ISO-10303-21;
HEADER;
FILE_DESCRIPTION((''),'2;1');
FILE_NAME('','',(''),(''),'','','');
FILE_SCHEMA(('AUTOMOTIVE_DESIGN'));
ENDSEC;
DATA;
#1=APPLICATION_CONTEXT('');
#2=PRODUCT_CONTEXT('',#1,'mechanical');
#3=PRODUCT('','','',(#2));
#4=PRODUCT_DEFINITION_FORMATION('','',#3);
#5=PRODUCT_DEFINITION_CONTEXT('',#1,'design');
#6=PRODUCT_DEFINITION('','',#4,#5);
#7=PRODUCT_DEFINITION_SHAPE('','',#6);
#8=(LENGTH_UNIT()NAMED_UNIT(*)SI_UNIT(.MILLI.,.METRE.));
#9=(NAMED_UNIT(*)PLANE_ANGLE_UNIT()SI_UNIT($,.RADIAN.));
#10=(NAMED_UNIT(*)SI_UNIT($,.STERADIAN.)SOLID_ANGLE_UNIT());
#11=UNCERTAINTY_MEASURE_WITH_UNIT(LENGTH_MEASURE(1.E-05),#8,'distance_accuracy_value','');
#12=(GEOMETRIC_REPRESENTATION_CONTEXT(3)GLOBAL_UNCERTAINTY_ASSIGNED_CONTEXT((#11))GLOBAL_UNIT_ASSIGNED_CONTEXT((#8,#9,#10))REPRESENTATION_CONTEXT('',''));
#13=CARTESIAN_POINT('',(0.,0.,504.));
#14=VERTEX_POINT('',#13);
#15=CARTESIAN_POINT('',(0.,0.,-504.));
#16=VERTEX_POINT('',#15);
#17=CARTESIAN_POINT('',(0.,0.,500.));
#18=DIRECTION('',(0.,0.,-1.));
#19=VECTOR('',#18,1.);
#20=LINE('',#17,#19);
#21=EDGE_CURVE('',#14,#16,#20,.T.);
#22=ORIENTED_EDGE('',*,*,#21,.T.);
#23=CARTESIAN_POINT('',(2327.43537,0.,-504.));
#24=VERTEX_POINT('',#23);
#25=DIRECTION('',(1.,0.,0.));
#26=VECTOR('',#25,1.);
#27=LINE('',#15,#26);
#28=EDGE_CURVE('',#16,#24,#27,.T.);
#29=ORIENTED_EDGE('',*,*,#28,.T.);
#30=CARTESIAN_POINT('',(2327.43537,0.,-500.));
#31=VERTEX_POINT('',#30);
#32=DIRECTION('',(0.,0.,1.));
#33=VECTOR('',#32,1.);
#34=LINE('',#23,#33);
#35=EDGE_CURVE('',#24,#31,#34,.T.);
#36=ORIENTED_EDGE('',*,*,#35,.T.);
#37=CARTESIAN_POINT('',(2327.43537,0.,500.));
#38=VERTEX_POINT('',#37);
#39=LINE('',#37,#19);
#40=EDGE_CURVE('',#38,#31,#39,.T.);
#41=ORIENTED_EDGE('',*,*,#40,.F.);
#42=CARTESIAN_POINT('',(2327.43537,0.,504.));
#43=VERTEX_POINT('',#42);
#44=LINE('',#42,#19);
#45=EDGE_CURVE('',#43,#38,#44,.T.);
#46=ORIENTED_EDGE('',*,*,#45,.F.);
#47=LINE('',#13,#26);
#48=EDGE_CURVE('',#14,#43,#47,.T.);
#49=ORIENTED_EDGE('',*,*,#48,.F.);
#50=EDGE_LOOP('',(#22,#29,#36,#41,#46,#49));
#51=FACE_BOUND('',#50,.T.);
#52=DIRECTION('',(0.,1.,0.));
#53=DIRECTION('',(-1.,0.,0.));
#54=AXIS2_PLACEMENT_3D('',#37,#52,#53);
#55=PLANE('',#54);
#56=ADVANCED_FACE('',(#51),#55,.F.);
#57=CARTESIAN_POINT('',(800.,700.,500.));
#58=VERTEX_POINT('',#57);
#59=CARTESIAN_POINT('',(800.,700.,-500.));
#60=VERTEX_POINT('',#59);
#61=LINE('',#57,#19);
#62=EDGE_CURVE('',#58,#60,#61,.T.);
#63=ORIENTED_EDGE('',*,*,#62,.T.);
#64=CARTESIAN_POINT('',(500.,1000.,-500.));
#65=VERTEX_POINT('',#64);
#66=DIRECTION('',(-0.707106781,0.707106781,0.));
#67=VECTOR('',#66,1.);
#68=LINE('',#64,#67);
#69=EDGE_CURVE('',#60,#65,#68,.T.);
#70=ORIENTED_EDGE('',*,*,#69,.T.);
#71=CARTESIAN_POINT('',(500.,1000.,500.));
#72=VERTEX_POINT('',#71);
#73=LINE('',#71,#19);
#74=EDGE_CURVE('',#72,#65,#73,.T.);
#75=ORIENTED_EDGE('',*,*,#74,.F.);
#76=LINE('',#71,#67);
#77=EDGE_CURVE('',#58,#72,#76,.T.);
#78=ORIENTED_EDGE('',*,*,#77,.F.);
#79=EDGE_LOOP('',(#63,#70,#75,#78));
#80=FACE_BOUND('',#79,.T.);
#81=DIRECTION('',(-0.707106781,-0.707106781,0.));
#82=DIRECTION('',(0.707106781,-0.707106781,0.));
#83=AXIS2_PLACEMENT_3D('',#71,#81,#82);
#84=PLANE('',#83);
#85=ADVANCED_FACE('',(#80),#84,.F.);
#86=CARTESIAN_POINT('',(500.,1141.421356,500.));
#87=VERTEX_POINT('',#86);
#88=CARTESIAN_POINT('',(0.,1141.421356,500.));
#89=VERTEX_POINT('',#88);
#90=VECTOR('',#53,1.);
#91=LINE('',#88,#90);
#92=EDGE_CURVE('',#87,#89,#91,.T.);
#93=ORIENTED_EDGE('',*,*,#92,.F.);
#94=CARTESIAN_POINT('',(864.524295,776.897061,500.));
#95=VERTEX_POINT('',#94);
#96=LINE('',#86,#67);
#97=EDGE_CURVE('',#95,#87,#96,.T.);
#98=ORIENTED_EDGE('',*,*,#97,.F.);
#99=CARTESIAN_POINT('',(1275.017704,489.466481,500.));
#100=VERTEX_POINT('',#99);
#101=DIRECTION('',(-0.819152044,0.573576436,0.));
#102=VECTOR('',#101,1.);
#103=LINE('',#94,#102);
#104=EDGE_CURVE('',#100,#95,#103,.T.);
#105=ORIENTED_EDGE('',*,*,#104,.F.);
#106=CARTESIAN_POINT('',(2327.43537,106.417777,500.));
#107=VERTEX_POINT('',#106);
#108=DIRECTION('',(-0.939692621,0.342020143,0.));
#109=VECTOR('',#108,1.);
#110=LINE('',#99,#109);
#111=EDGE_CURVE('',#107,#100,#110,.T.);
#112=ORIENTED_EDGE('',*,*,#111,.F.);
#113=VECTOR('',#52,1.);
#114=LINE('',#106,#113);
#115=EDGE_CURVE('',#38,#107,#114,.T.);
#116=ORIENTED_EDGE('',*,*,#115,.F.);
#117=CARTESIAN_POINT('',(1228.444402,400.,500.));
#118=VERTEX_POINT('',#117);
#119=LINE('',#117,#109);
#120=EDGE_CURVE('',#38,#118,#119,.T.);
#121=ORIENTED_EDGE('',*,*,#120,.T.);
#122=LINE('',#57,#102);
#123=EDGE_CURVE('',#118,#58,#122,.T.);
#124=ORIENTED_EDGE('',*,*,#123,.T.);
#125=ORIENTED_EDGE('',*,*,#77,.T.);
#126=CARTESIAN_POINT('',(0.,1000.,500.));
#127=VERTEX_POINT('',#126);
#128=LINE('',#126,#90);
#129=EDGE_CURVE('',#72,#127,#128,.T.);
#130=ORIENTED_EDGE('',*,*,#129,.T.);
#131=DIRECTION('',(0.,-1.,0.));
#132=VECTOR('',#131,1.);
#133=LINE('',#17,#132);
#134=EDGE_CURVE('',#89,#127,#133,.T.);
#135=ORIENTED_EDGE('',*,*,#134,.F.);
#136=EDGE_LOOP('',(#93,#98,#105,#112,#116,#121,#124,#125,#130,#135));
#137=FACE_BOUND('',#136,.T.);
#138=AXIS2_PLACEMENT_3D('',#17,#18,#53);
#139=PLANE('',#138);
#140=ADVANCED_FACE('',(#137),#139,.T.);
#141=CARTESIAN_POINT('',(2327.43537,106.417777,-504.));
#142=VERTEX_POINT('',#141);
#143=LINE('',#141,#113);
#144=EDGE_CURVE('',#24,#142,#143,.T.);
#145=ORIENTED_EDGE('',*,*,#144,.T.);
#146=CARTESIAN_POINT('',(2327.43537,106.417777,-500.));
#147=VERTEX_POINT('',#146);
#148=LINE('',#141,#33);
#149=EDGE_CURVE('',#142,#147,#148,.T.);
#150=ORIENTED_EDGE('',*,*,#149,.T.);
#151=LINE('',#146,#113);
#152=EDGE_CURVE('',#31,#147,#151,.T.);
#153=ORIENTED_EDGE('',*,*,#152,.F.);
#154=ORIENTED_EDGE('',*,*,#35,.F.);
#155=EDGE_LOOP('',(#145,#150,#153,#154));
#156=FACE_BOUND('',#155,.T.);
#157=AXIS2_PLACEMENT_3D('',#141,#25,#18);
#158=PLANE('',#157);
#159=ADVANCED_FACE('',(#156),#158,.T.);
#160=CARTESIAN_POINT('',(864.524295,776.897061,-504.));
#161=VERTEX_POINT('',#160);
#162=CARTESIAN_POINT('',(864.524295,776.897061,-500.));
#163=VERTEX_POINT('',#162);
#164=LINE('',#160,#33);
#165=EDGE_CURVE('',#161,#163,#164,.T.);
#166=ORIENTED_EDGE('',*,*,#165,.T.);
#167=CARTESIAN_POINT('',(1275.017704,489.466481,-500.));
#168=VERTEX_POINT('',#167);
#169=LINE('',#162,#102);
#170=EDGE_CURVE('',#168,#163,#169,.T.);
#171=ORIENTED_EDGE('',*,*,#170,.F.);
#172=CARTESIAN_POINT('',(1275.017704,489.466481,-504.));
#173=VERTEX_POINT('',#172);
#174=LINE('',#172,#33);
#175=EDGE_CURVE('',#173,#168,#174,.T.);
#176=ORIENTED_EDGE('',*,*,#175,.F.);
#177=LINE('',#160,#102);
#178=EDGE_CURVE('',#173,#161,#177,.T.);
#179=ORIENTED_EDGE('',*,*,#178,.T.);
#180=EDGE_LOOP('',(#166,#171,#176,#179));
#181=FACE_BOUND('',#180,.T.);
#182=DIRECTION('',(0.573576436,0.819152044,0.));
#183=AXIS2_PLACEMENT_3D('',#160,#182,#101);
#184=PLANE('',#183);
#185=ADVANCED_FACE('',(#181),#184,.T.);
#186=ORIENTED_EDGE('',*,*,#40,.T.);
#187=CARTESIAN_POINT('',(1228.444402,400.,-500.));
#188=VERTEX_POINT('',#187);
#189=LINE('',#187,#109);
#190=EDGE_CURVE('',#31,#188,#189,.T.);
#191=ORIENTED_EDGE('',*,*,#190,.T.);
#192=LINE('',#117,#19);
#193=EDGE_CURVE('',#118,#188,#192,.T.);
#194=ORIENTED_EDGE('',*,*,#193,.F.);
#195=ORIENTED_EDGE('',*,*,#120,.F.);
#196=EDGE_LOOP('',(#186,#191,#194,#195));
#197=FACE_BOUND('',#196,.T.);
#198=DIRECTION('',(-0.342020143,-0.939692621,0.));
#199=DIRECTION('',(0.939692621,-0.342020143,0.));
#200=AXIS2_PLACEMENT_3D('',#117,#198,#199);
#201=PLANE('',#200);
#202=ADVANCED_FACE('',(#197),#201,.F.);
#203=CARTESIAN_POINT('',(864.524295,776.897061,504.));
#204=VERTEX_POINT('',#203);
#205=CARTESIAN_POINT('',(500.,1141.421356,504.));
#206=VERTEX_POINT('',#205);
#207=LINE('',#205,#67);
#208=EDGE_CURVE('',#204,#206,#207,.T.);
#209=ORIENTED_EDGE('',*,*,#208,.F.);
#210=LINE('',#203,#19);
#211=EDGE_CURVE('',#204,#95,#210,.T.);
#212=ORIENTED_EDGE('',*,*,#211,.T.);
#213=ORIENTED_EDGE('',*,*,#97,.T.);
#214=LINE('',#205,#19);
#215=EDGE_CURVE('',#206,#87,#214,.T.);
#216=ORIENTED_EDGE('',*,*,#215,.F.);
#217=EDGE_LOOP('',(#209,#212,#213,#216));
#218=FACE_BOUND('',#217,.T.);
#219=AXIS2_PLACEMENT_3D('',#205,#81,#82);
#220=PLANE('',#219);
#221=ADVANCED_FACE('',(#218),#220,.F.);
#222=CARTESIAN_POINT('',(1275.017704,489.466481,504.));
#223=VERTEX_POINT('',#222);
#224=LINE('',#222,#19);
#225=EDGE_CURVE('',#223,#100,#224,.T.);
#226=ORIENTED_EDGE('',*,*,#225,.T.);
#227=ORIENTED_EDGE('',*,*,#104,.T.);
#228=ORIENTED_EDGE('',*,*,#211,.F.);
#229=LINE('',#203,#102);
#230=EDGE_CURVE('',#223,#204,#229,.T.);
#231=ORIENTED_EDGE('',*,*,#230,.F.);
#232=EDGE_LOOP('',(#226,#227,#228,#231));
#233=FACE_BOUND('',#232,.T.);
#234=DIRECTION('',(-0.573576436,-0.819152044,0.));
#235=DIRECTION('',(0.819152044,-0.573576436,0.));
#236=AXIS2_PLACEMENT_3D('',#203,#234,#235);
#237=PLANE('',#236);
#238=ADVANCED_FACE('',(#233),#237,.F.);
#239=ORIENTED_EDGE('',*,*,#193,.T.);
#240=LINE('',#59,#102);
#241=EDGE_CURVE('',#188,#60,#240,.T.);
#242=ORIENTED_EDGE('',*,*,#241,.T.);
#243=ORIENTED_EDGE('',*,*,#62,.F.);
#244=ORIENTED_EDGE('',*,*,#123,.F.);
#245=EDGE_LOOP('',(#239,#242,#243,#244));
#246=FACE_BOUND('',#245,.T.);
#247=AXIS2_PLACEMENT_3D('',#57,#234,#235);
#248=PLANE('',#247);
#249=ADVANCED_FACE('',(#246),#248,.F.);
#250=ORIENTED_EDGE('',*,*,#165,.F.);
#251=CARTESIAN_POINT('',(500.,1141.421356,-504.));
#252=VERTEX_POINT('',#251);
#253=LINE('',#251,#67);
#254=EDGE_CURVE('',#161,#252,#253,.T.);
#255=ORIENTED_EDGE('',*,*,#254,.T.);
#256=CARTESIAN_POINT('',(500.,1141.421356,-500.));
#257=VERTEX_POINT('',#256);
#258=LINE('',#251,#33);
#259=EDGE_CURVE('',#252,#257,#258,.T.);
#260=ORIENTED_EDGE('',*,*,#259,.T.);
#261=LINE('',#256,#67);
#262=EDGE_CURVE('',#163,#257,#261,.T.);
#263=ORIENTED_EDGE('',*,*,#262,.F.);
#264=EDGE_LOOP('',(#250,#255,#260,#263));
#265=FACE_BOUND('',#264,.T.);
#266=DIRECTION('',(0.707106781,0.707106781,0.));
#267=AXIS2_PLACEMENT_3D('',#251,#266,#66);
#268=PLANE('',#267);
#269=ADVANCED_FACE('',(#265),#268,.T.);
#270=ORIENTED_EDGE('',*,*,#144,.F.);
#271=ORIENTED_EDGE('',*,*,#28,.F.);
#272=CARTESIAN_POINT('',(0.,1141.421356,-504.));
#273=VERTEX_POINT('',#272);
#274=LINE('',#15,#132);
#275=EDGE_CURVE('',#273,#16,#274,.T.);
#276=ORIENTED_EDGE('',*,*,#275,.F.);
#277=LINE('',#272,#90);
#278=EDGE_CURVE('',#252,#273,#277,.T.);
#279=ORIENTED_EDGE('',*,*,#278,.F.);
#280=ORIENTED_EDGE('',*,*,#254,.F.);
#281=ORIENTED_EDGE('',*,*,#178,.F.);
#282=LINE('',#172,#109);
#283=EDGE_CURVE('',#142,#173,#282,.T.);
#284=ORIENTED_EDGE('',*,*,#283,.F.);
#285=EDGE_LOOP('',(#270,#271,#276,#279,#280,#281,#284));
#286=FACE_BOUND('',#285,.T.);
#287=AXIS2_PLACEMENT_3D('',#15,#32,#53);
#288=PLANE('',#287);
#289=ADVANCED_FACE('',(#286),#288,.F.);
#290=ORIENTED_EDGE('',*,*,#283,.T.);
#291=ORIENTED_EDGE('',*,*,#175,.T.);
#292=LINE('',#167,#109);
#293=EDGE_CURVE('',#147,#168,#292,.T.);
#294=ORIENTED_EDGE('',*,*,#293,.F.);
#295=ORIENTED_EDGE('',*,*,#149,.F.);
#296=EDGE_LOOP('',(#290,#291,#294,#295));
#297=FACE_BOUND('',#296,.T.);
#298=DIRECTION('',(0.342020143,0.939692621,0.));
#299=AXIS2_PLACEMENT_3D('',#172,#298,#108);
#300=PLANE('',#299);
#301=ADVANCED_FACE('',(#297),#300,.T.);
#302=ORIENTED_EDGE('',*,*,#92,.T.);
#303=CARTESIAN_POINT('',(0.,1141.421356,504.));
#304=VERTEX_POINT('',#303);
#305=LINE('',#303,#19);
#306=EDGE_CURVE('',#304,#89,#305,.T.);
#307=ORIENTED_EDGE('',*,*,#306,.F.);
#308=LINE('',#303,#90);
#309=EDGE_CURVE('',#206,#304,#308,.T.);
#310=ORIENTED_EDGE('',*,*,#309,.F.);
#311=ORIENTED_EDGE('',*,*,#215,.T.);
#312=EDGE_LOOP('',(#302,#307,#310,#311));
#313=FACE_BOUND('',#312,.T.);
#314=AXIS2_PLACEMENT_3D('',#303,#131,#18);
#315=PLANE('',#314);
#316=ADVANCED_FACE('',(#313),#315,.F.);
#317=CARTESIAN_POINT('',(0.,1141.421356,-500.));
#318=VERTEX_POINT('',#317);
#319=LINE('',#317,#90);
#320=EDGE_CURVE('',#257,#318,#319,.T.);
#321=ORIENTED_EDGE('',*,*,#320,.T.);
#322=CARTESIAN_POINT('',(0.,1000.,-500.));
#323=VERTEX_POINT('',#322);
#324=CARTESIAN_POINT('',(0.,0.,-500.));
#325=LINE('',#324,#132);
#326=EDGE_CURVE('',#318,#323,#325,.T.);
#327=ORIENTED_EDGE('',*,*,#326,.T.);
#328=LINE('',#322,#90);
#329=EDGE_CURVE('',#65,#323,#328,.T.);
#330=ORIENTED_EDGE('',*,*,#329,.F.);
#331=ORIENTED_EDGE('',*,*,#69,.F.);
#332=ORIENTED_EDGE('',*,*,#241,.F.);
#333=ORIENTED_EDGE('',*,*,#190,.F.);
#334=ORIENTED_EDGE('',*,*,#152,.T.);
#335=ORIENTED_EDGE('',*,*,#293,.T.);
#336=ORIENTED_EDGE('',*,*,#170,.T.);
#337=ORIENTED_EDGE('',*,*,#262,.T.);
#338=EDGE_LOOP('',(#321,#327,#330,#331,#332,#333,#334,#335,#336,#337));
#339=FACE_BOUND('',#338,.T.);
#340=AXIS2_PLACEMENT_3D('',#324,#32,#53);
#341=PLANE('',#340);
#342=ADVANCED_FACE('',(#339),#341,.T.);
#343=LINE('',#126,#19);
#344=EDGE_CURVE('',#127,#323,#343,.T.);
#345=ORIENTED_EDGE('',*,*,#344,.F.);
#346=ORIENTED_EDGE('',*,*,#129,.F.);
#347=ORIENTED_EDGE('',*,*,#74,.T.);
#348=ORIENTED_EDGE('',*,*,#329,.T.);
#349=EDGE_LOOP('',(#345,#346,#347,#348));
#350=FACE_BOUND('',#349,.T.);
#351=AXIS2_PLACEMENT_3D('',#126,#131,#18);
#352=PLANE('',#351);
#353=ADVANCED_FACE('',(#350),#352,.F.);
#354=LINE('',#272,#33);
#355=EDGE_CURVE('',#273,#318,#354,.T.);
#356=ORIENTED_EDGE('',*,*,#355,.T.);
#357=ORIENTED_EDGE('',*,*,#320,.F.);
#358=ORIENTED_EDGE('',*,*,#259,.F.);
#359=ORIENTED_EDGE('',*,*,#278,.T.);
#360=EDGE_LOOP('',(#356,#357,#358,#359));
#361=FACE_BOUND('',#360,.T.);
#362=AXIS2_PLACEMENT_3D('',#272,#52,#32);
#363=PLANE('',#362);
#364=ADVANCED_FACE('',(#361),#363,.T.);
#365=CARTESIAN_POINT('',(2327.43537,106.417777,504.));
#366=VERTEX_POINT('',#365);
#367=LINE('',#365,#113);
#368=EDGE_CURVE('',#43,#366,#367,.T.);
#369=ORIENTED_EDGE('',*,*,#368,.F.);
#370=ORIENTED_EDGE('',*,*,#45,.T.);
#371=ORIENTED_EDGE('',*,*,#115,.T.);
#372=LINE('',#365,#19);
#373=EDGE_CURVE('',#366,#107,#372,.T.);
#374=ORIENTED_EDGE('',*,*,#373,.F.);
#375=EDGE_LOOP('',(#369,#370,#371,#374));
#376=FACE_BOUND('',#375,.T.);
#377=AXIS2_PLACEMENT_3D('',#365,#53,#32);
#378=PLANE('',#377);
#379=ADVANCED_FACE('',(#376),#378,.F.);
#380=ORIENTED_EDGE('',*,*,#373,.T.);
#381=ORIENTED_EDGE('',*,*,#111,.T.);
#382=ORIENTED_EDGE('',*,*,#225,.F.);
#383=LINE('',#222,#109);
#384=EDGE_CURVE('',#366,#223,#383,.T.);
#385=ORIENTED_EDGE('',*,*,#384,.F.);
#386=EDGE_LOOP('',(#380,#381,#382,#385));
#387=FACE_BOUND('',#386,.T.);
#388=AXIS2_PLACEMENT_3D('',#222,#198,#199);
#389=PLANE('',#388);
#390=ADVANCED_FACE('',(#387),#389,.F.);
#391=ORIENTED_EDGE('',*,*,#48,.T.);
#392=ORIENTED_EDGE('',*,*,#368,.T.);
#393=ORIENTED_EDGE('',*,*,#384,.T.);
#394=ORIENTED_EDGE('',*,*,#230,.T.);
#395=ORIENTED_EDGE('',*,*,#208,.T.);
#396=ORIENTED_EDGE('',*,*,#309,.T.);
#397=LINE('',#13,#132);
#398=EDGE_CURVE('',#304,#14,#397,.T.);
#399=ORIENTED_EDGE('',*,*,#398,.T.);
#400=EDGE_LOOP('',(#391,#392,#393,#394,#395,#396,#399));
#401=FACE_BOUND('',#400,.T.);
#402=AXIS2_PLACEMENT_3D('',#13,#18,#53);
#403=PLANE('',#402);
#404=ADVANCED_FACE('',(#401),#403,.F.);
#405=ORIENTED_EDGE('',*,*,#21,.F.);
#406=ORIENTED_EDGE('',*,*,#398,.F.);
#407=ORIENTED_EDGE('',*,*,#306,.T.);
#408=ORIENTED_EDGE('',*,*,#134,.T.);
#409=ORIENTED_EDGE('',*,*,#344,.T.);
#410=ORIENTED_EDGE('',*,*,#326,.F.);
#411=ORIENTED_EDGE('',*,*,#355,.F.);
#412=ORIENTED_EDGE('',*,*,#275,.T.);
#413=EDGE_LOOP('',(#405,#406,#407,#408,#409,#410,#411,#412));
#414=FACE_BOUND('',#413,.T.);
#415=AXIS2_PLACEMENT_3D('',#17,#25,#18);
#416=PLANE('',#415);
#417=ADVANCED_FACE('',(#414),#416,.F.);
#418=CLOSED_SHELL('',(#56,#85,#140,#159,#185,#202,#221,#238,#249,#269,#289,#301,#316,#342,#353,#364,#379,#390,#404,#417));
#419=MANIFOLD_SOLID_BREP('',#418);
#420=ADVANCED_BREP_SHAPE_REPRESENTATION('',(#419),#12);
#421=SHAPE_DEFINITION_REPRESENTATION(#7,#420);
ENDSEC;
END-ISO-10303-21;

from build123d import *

# Parameters (mm, degrees)
AUFSATZ_LINEAR_AUSTRAGEN1_DEPTH = 500
AUFSATZ_LINEAR_AUSTRAGEN2_DEPTH = 4


with BuildPart() as part:
    # Skizze1 → Aufsatz-Linear austragen1 (new body, symmetric)
    with BuildSketch(Plane.XY):
        Polygon((0, 0), (0, 1000), (500, 1000), (800, 700), (1228.444402023, 400), (2327.435369805, 0), align=None)
    extrude(amount=AUFSATZ_LINEAR_AUSTRAGEN1_DEPTH, both=True)

    # Skizze3 → Aufsatz-Linear austragen2 (add)
    with BuildSketch(Plane.XY.offset(500)):
        Polygon((0, 0), (0, 1141.421356237), (500, 1141.421356237), (864.524295393, 776.897060844), (1275.017704404, 489.466481469), (2327.435369805, 106.417777248), (2327.435369805, 0), align=None)
    aufsatz_linear_austragen2 = extrude(amount=AUFSATZ_LINEAR_AUSTRAGEN2_DEPTH)

    # Spiegeln1: Aufsatz-Linear austragen2 across plane
    add(aufsatz_linear_austragen2.mirror(Plane(origin=(0, 0, 0), x_dir=(1, 0, 0), z_dir=(0, 0, -1))))


solid = part.part
